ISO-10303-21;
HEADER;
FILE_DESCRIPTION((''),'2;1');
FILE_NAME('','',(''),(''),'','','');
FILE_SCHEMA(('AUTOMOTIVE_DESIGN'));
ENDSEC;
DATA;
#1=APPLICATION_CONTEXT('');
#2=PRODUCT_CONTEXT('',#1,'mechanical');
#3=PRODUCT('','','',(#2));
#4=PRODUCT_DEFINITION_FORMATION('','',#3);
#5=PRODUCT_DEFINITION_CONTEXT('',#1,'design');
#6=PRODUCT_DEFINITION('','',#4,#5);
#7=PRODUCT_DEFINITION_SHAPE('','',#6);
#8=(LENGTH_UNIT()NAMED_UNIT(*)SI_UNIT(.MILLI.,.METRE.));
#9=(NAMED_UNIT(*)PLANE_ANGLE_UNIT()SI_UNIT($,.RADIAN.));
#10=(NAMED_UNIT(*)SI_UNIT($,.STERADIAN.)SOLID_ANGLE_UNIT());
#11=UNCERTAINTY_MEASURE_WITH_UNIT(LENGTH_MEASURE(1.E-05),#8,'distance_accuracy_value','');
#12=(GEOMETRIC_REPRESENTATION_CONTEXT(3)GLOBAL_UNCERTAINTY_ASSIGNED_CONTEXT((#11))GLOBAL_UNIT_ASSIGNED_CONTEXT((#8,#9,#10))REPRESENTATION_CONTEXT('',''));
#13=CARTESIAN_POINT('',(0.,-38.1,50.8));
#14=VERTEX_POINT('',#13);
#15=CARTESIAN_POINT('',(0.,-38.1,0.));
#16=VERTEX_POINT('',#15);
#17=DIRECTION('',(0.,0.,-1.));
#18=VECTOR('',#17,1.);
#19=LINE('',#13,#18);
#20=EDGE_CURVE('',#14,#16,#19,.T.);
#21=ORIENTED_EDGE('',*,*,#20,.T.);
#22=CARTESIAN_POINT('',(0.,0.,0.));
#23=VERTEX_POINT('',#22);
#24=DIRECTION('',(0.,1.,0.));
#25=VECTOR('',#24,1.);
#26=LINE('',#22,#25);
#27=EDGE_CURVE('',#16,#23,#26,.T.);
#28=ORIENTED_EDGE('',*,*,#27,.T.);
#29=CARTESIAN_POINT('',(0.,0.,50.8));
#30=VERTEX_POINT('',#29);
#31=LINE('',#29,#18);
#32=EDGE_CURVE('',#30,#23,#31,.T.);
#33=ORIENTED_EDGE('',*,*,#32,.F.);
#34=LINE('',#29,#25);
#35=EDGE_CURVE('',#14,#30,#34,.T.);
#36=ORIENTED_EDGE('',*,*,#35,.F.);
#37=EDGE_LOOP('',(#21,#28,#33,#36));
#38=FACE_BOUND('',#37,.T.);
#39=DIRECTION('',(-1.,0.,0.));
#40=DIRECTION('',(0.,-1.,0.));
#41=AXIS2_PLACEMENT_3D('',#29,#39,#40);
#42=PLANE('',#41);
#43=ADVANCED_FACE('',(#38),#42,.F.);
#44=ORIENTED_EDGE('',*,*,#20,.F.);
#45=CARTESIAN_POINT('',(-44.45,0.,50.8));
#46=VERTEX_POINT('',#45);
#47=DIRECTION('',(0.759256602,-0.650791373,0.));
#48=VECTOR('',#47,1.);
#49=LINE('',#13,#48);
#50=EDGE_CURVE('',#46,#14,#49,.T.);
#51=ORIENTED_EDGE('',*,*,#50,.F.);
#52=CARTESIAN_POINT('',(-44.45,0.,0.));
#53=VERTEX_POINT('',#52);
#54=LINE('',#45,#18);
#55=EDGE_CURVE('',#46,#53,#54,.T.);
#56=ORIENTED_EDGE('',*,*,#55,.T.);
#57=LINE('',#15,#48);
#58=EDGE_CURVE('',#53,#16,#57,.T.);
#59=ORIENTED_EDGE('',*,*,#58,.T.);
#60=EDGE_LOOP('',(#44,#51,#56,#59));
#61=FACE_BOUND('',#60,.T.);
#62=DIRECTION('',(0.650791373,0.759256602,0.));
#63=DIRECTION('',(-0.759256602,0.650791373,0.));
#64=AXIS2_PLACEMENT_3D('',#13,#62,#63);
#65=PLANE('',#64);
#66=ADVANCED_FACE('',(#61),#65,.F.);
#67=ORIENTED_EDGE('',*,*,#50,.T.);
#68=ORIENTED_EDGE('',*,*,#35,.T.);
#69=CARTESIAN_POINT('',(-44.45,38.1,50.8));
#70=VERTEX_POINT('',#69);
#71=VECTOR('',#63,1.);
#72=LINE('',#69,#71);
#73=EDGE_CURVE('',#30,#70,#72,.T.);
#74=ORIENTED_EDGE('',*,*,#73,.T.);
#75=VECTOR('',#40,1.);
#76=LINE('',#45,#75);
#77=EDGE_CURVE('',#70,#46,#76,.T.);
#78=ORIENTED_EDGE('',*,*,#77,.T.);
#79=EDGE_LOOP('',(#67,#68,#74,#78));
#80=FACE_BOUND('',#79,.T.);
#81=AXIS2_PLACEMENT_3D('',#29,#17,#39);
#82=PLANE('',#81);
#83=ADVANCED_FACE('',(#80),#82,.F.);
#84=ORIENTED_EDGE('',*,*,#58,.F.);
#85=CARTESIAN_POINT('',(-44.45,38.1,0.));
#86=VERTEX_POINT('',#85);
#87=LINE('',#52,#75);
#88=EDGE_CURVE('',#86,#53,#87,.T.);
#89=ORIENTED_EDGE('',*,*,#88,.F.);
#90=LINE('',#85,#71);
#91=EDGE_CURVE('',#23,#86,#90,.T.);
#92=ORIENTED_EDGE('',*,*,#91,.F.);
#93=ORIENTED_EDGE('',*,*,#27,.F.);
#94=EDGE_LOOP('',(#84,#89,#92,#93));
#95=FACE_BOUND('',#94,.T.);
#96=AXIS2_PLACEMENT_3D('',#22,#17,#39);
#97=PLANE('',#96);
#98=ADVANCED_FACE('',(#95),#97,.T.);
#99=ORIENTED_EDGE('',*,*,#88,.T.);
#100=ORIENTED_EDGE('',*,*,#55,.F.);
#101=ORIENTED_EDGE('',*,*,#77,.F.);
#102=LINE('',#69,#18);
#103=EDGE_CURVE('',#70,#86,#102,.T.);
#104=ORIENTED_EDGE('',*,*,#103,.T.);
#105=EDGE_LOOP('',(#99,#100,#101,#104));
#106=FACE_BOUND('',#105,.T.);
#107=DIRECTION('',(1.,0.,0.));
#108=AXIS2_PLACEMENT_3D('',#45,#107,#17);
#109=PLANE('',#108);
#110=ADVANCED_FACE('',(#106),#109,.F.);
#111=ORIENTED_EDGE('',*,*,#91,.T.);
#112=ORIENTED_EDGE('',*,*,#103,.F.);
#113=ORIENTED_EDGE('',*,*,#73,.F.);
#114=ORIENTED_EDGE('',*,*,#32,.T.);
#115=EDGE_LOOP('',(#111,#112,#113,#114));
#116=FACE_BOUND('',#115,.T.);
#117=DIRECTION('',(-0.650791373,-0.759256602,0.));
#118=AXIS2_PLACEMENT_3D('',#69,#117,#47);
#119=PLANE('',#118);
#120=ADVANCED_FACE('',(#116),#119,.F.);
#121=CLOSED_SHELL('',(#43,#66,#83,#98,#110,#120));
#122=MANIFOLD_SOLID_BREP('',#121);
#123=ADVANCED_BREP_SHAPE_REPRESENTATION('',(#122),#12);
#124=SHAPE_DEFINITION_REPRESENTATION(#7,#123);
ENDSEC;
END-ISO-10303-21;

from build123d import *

# Parameters (mm, degrees)
BOSS_EXTRUDE1_DEPTH = 50.8


with BuildPart() as part:
    # Sketch1 → Boss-Extrude1 (new body)
    with BuildSketch(Plane.XY):
        Polygon((0, 0), (0, -38.1), (-44.45, 0), (-44.45, 38.1), align=None)
    extrude(amount=BOSS_EXTRUDE1_DEPTH)


solid = part.part
